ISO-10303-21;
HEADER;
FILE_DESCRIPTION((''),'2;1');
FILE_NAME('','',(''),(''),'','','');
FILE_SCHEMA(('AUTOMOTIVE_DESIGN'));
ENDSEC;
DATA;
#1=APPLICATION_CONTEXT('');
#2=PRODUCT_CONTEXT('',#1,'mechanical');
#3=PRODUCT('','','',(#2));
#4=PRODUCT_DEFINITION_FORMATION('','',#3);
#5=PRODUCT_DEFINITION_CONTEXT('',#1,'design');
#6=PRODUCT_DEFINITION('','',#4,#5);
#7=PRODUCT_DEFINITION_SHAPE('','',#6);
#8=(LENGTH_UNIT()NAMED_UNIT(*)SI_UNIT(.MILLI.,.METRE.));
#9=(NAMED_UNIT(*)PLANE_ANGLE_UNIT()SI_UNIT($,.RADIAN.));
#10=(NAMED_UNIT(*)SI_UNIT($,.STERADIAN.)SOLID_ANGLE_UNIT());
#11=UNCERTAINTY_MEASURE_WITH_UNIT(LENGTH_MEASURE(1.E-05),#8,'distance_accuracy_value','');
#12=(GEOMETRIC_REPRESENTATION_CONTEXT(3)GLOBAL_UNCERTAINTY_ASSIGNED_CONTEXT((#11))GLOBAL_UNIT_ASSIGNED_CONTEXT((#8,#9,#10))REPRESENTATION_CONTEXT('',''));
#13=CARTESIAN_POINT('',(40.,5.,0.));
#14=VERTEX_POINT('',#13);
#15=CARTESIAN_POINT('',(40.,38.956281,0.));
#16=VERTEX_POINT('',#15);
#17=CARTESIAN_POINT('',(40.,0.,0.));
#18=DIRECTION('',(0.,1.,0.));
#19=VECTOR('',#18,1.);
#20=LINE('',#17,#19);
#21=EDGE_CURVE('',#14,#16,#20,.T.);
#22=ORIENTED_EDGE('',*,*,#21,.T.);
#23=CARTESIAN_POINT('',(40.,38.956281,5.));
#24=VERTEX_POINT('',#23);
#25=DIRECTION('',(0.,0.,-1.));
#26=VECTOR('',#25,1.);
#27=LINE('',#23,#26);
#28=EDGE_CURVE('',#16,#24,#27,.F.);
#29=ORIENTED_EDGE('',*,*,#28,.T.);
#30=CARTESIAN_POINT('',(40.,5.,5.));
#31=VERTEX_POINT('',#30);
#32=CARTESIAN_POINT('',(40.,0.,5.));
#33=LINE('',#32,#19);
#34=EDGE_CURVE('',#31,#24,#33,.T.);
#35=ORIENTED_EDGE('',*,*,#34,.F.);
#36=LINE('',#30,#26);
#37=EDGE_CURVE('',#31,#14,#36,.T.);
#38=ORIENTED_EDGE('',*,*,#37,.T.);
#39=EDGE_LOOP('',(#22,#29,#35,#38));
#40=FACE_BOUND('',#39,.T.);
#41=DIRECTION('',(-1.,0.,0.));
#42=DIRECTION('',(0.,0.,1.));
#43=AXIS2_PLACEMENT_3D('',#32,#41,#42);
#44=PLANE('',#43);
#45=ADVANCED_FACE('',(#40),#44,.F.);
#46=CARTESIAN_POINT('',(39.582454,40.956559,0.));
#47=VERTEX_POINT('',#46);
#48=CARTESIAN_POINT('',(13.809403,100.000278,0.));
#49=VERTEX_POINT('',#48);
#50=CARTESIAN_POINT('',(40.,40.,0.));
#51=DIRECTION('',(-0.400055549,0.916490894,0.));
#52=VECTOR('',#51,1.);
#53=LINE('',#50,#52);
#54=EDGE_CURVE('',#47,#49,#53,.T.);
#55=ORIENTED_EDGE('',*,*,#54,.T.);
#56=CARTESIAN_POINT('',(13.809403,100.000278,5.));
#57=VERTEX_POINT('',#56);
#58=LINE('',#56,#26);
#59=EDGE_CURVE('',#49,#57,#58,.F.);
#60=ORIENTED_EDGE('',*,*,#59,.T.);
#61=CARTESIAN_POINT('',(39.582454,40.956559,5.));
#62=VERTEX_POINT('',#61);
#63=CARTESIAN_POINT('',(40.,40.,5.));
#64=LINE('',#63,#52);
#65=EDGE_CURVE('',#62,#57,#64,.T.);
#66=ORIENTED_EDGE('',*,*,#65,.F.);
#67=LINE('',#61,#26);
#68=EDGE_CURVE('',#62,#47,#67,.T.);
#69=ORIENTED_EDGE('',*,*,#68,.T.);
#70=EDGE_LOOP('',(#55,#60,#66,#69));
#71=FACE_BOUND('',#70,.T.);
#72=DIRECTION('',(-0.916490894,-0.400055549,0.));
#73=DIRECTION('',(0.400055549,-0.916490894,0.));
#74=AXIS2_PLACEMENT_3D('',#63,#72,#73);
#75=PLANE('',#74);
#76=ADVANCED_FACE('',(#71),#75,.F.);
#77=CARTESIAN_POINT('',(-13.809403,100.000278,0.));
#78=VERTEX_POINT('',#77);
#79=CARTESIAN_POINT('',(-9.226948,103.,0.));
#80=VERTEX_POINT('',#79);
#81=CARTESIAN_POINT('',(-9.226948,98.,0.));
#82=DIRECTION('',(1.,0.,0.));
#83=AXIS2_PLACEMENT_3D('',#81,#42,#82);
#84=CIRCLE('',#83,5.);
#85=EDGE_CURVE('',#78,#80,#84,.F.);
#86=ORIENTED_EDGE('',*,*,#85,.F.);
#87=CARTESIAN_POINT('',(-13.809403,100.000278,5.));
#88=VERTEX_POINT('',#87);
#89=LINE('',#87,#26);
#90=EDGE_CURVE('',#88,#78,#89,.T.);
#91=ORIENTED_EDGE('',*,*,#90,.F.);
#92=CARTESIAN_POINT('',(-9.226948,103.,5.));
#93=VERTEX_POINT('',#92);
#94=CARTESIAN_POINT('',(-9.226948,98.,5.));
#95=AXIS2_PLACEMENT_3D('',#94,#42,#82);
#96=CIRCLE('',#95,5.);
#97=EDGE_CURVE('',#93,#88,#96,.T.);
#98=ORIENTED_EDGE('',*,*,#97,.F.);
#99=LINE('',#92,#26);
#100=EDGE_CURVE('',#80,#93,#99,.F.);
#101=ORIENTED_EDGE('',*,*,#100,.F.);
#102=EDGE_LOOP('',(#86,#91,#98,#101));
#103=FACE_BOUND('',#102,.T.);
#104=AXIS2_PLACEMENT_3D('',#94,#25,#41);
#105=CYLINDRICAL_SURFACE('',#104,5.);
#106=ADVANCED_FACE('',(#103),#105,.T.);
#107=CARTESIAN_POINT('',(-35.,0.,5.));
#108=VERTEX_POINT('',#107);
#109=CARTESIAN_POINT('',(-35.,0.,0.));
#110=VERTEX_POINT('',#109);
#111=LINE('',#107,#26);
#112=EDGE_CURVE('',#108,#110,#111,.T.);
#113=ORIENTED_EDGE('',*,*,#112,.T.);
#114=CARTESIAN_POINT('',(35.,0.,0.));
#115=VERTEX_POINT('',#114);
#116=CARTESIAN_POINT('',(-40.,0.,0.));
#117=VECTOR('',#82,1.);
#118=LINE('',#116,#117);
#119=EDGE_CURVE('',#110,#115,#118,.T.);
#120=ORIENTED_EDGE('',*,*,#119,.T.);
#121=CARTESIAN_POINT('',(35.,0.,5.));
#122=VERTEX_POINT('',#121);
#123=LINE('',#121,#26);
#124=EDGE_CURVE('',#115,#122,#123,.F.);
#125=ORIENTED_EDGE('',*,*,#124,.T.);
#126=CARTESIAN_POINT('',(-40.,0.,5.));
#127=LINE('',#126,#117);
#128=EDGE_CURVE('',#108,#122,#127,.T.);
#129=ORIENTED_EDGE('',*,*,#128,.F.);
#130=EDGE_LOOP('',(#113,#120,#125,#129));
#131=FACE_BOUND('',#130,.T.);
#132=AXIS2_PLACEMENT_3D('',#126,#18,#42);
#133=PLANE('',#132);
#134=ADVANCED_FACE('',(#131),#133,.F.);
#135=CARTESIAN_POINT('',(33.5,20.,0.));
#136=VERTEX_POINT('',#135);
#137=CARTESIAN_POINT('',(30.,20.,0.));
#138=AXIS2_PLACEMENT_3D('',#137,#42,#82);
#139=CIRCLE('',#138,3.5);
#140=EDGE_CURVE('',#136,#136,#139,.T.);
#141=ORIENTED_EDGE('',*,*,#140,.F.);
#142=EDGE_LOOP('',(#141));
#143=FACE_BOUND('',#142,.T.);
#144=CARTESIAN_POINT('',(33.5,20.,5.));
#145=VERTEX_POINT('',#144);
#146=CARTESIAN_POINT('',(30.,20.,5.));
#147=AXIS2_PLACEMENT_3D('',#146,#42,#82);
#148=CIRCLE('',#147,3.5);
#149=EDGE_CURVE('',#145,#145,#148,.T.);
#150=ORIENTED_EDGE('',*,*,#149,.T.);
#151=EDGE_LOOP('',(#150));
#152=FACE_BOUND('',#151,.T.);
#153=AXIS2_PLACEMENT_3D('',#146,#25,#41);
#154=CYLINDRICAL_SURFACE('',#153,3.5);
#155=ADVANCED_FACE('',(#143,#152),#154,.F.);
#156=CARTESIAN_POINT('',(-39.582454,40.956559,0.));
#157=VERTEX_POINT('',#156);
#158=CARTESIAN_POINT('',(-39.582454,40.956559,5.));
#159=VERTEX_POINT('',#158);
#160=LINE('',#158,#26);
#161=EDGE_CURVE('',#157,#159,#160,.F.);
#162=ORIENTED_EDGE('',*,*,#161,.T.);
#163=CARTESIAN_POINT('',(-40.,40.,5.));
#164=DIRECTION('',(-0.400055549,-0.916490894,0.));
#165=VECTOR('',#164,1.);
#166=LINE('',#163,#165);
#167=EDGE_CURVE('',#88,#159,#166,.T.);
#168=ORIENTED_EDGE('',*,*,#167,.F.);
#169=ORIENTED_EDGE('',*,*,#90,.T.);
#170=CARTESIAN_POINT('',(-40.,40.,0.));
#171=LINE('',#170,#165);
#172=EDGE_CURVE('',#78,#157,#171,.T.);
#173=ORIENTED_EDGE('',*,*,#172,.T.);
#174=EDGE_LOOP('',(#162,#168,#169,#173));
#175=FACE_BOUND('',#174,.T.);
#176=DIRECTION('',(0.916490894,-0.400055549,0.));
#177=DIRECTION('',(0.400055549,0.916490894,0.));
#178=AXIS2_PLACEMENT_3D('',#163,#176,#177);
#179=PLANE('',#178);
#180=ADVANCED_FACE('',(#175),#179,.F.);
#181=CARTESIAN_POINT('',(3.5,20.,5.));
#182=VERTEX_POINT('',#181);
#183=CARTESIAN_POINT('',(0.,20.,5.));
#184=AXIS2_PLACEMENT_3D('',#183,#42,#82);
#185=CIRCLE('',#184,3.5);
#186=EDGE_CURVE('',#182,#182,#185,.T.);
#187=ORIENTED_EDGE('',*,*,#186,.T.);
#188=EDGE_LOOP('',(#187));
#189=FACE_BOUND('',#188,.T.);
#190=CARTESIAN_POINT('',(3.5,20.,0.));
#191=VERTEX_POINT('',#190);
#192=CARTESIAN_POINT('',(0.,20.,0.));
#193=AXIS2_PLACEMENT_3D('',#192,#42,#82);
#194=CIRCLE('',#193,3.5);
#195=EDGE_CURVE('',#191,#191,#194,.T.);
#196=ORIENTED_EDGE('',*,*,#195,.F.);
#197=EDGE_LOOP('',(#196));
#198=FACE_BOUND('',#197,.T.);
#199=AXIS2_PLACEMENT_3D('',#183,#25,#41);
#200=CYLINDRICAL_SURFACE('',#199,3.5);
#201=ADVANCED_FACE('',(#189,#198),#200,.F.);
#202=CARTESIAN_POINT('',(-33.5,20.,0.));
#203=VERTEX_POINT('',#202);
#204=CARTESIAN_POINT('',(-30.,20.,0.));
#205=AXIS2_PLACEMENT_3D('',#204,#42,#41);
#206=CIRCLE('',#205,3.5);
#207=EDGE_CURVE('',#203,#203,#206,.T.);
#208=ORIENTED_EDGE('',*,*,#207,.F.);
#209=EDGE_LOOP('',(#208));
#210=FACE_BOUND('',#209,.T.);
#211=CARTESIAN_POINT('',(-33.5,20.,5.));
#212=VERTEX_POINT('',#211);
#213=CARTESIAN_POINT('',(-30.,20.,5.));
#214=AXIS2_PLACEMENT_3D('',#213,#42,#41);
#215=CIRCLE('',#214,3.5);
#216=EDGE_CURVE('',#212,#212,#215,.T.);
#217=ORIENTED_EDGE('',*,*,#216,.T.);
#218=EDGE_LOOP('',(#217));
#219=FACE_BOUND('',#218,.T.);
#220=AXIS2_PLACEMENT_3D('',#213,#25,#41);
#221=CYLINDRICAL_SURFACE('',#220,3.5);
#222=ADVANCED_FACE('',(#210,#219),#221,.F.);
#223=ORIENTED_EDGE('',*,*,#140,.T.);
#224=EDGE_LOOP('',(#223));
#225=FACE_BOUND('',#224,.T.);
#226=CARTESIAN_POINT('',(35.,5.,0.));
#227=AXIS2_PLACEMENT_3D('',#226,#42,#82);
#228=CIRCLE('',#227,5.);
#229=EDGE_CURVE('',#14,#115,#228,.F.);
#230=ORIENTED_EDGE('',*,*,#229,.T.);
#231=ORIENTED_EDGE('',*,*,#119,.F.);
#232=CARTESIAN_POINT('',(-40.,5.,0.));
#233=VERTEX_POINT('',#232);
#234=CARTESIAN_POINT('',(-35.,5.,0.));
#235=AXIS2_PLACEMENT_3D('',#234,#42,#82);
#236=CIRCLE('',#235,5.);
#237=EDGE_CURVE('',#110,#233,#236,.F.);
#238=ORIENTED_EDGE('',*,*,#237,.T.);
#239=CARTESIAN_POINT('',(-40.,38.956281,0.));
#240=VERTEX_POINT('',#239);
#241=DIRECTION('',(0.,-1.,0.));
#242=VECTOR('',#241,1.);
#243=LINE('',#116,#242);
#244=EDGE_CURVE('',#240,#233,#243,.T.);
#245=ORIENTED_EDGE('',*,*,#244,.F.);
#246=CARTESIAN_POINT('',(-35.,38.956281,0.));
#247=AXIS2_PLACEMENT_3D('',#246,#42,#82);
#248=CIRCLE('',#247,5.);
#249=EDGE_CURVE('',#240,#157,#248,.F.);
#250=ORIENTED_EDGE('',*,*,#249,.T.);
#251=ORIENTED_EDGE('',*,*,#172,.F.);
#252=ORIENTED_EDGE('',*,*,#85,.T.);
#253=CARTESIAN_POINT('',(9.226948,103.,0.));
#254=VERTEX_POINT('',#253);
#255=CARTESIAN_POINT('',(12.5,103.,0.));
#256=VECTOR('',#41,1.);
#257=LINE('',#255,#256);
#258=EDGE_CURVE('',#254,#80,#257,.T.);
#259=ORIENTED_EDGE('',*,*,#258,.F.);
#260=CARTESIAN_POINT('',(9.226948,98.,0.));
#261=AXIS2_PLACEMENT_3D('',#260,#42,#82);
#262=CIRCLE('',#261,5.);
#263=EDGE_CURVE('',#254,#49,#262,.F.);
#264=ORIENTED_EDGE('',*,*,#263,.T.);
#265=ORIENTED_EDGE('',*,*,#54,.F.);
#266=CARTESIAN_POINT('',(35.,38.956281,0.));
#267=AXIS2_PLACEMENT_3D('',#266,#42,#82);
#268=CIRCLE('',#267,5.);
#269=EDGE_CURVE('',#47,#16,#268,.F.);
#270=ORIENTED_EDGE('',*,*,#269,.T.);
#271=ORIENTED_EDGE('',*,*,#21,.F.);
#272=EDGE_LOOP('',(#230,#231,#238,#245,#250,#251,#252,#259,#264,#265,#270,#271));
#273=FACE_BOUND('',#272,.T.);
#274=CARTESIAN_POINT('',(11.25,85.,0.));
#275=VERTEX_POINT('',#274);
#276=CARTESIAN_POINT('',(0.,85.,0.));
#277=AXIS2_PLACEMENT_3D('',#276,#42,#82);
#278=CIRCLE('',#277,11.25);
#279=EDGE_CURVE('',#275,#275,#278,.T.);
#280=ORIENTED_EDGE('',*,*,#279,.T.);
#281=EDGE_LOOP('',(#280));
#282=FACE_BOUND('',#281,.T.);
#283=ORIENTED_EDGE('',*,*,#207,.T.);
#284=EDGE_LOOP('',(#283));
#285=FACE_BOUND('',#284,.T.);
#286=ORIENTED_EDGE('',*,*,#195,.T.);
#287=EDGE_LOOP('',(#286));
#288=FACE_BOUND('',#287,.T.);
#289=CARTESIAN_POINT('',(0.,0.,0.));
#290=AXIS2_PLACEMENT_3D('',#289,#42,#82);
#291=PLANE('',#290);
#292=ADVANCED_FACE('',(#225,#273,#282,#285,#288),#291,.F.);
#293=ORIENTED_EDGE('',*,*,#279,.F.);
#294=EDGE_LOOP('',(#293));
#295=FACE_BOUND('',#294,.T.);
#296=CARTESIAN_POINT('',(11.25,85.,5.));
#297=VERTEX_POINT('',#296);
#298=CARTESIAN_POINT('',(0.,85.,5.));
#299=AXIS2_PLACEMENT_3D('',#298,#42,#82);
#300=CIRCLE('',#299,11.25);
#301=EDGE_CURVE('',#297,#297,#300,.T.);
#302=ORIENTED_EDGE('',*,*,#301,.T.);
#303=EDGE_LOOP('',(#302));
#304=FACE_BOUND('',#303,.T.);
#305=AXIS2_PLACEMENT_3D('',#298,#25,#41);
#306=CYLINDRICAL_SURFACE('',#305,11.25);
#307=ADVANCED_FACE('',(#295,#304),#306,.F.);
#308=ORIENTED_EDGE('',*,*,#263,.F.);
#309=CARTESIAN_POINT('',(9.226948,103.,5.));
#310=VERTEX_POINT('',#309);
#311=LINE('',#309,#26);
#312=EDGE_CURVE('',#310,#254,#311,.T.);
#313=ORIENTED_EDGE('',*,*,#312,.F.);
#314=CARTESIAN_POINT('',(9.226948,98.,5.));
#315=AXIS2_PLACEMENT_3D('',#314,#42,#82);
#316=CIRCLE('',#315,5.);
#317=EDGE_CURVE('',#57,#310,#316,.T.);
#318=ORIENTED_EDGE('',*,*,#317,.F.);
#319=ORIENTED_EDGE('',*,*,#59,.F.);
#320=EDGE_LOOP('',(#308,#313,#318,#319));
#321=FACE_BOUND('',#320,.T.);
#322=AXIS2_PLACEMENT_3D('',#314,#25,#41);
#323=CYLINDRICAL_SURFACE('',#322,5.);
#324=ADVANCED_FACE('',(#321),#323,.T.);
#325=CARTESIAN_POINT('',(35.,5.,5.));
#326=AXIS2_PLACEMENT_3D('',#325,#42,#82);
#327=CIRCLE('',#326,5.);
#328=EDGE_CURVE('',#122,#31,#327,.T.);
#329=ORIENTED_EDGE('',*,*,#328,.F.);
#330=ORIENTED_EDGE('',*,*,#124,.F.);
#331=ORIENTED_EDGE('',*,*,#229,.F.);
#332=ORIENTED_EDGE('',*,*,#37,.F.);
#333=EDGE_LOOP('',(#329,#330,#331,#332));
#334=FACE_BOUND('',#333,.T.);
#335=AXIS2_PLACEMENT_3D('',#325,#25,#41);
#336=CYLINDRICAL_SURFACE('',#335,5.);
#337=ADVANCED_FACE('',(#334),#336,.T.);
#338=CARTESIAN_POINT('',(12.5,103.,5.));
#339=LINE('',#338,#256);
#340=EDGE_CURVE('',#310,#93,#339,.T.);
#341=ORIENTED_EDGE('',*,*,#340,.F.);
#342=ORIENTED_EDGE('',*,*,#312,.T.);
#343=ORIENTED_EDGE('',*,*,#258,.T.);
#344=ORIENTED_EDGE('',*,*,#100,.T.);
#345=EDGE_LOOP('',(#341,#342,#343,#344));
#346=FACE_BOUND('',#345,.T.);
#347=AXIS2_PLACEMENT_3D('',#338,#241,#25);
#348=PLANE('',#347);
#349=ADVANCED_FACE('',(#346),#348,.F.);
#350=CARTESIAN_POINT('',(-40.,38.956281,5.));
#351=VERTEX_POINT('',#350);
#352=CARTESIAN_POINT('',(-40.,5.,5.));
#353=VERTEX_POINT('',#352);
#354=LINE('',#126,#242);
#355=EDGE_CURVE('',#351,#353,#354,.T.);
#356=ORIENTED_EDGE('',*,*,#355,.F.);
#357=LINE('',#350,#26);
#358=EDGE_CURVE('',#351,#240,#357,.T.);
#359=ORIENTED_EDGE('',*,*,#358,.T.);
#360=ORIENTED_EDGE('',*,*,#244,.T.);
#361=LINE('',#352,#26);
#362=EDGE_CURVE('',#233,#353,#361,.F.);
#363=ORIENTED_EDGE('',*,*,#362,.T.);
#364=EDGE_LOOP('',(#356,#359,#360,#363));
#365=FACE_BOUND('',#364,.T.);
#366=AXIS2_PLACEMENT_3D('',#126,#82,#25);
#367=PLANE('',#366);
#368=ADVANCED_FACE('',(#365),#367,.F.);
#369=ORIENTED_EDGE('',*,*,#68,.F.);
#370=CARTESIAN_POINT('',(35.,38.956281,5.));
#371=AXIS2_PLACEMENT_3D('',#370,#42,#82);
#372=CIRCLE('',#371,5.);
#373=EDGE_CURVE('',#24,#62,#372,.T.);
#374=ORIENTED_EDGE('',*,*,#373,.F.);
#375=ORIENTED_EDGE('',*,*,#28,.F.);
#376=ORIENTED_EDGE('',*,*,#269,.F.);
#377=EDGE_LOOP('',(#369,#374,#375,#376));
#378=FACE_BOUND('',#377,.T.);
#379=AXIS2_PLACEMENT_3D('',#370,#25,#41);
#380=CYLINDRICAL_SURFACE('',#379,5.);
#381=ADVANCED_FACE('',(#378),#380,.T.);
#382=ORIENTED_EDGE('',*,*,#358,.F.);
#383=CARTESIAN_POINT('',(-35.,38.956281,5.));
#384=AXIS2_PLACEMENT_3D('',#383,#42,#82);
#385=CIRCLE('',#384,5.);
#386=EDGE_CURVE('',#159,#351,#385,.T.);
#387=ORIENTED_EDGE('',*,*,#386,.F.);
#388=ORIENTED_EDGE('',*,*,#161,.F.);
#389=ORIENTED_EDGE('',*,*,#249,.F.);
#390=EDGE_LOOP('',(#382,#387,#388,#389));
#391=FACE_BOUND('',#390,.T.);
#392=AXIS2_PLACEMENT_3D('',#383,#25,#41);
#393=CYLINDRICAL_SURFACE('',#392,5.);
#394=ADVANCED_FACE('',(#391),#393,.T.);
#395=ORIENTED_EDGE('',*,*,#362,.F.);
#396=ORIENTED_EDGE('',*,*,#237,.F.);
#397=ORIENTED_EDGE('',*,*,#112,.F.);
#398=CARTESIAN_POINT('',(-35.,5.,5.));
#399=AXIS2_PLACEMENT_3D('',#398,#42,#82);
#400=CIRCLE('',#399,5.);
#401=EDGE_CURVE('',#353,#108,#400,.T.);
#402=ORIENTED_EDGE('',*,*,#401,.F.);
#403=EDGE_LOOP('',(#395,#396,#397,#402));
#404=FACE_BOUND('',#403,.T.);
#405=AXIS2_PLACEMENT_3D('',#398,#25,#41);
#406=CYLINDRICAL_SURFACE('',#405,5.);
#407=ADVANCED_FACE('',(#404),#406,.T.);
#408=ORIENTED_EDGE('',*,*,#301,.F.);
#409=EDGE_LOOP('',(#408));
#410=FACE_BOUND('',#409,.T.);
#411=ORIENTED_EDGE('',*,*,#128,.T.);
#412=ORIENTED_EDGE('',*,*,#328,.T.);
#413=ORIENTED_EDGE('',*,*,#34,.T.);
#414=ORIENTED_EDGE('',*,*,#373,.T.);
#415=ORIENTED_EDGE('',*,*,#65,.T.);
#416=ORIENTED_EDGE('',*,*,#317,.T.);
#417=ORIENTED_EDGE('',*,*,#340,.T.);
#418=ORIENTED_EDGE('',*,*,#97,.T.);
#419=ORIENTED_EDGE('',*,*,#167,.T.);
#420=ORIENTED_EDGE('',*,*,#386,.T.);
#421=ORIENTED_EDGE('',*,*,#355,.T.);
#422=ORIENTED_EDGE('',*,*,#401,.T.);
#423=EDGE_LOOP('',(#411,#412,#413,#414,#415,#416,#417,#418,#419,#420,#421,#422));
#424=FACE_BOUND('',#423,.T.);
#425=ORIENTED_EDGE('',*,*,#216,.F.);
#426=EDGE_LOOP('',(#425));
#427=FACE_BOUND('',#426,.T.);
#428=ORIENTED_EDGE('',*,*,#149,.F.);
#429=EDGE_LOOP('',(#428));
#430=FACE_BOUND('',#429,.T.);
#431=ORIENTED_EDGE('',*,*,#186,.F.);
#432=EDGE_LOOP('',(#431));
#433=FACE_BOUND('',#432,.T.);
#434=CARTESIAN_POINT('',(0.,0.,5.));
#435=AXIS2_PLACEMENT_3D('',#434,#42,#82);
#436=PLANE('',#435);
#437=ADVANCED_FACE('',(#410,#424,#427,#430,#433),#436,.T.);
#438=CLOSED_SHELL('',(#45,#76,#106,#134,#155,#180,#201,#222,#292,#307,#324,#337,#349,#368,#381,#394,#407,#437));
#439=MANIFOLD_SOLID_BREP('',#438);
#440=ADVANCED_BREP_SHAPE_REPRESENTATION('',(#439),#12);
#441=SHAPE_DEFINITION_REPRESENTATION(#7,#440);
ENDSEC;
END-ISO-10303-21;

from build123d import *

# Parameters (mm, degrees)
ESQUISSE1_R        = 11.25
ESQUISSE1_R_2      = 3.5
BOSS_EXTRU_1_DEPTH = 5
CONG_1_R           = 5


with BuildPart() as part:
    # Esquisse1 → Boss.-Extru.1 (new body)
    with BuildSketch(Plane.XY):
        Polygon((-40, 0), (40, 0), (40, 40), (12.5, 103), (-12.5, 103), (-40, 40), align=None)
        with Locations((0, 85)):
            Circle(ESQUISSE1_R, mode=Mode.SUBTRACT)
        with Locations((0, 20)):
            Circle(ESQUISSE1_R_2, mode=Mode.SUBTRACT)
        with Locations((30, 20)):
            Circle(ESQUISSE1_R_2, mode=Mode.SUBTRACT)
        with Locations((-30, 20)):
            Circle(ESQUISSE1_R_2, mode=Mode.SUBTRACT)
    extrude(amount=BOSS_EXTRU_1_DEPTH)

    # Congé1
    cong_1_edges = [part.edges().sort_by_distance(p)[0] for p in [
        (-12.5, 103, 2.5),
        (12.5, 103, 2.5),
        (40, 40, 2.5),
        (40, 0, 2.5),
        (-40, 0, 2.5),
        (-40, 40, 2.5),
    ]]
    fillet(cong_1_edges, radius=CONG_1_R)


solid = part.part
